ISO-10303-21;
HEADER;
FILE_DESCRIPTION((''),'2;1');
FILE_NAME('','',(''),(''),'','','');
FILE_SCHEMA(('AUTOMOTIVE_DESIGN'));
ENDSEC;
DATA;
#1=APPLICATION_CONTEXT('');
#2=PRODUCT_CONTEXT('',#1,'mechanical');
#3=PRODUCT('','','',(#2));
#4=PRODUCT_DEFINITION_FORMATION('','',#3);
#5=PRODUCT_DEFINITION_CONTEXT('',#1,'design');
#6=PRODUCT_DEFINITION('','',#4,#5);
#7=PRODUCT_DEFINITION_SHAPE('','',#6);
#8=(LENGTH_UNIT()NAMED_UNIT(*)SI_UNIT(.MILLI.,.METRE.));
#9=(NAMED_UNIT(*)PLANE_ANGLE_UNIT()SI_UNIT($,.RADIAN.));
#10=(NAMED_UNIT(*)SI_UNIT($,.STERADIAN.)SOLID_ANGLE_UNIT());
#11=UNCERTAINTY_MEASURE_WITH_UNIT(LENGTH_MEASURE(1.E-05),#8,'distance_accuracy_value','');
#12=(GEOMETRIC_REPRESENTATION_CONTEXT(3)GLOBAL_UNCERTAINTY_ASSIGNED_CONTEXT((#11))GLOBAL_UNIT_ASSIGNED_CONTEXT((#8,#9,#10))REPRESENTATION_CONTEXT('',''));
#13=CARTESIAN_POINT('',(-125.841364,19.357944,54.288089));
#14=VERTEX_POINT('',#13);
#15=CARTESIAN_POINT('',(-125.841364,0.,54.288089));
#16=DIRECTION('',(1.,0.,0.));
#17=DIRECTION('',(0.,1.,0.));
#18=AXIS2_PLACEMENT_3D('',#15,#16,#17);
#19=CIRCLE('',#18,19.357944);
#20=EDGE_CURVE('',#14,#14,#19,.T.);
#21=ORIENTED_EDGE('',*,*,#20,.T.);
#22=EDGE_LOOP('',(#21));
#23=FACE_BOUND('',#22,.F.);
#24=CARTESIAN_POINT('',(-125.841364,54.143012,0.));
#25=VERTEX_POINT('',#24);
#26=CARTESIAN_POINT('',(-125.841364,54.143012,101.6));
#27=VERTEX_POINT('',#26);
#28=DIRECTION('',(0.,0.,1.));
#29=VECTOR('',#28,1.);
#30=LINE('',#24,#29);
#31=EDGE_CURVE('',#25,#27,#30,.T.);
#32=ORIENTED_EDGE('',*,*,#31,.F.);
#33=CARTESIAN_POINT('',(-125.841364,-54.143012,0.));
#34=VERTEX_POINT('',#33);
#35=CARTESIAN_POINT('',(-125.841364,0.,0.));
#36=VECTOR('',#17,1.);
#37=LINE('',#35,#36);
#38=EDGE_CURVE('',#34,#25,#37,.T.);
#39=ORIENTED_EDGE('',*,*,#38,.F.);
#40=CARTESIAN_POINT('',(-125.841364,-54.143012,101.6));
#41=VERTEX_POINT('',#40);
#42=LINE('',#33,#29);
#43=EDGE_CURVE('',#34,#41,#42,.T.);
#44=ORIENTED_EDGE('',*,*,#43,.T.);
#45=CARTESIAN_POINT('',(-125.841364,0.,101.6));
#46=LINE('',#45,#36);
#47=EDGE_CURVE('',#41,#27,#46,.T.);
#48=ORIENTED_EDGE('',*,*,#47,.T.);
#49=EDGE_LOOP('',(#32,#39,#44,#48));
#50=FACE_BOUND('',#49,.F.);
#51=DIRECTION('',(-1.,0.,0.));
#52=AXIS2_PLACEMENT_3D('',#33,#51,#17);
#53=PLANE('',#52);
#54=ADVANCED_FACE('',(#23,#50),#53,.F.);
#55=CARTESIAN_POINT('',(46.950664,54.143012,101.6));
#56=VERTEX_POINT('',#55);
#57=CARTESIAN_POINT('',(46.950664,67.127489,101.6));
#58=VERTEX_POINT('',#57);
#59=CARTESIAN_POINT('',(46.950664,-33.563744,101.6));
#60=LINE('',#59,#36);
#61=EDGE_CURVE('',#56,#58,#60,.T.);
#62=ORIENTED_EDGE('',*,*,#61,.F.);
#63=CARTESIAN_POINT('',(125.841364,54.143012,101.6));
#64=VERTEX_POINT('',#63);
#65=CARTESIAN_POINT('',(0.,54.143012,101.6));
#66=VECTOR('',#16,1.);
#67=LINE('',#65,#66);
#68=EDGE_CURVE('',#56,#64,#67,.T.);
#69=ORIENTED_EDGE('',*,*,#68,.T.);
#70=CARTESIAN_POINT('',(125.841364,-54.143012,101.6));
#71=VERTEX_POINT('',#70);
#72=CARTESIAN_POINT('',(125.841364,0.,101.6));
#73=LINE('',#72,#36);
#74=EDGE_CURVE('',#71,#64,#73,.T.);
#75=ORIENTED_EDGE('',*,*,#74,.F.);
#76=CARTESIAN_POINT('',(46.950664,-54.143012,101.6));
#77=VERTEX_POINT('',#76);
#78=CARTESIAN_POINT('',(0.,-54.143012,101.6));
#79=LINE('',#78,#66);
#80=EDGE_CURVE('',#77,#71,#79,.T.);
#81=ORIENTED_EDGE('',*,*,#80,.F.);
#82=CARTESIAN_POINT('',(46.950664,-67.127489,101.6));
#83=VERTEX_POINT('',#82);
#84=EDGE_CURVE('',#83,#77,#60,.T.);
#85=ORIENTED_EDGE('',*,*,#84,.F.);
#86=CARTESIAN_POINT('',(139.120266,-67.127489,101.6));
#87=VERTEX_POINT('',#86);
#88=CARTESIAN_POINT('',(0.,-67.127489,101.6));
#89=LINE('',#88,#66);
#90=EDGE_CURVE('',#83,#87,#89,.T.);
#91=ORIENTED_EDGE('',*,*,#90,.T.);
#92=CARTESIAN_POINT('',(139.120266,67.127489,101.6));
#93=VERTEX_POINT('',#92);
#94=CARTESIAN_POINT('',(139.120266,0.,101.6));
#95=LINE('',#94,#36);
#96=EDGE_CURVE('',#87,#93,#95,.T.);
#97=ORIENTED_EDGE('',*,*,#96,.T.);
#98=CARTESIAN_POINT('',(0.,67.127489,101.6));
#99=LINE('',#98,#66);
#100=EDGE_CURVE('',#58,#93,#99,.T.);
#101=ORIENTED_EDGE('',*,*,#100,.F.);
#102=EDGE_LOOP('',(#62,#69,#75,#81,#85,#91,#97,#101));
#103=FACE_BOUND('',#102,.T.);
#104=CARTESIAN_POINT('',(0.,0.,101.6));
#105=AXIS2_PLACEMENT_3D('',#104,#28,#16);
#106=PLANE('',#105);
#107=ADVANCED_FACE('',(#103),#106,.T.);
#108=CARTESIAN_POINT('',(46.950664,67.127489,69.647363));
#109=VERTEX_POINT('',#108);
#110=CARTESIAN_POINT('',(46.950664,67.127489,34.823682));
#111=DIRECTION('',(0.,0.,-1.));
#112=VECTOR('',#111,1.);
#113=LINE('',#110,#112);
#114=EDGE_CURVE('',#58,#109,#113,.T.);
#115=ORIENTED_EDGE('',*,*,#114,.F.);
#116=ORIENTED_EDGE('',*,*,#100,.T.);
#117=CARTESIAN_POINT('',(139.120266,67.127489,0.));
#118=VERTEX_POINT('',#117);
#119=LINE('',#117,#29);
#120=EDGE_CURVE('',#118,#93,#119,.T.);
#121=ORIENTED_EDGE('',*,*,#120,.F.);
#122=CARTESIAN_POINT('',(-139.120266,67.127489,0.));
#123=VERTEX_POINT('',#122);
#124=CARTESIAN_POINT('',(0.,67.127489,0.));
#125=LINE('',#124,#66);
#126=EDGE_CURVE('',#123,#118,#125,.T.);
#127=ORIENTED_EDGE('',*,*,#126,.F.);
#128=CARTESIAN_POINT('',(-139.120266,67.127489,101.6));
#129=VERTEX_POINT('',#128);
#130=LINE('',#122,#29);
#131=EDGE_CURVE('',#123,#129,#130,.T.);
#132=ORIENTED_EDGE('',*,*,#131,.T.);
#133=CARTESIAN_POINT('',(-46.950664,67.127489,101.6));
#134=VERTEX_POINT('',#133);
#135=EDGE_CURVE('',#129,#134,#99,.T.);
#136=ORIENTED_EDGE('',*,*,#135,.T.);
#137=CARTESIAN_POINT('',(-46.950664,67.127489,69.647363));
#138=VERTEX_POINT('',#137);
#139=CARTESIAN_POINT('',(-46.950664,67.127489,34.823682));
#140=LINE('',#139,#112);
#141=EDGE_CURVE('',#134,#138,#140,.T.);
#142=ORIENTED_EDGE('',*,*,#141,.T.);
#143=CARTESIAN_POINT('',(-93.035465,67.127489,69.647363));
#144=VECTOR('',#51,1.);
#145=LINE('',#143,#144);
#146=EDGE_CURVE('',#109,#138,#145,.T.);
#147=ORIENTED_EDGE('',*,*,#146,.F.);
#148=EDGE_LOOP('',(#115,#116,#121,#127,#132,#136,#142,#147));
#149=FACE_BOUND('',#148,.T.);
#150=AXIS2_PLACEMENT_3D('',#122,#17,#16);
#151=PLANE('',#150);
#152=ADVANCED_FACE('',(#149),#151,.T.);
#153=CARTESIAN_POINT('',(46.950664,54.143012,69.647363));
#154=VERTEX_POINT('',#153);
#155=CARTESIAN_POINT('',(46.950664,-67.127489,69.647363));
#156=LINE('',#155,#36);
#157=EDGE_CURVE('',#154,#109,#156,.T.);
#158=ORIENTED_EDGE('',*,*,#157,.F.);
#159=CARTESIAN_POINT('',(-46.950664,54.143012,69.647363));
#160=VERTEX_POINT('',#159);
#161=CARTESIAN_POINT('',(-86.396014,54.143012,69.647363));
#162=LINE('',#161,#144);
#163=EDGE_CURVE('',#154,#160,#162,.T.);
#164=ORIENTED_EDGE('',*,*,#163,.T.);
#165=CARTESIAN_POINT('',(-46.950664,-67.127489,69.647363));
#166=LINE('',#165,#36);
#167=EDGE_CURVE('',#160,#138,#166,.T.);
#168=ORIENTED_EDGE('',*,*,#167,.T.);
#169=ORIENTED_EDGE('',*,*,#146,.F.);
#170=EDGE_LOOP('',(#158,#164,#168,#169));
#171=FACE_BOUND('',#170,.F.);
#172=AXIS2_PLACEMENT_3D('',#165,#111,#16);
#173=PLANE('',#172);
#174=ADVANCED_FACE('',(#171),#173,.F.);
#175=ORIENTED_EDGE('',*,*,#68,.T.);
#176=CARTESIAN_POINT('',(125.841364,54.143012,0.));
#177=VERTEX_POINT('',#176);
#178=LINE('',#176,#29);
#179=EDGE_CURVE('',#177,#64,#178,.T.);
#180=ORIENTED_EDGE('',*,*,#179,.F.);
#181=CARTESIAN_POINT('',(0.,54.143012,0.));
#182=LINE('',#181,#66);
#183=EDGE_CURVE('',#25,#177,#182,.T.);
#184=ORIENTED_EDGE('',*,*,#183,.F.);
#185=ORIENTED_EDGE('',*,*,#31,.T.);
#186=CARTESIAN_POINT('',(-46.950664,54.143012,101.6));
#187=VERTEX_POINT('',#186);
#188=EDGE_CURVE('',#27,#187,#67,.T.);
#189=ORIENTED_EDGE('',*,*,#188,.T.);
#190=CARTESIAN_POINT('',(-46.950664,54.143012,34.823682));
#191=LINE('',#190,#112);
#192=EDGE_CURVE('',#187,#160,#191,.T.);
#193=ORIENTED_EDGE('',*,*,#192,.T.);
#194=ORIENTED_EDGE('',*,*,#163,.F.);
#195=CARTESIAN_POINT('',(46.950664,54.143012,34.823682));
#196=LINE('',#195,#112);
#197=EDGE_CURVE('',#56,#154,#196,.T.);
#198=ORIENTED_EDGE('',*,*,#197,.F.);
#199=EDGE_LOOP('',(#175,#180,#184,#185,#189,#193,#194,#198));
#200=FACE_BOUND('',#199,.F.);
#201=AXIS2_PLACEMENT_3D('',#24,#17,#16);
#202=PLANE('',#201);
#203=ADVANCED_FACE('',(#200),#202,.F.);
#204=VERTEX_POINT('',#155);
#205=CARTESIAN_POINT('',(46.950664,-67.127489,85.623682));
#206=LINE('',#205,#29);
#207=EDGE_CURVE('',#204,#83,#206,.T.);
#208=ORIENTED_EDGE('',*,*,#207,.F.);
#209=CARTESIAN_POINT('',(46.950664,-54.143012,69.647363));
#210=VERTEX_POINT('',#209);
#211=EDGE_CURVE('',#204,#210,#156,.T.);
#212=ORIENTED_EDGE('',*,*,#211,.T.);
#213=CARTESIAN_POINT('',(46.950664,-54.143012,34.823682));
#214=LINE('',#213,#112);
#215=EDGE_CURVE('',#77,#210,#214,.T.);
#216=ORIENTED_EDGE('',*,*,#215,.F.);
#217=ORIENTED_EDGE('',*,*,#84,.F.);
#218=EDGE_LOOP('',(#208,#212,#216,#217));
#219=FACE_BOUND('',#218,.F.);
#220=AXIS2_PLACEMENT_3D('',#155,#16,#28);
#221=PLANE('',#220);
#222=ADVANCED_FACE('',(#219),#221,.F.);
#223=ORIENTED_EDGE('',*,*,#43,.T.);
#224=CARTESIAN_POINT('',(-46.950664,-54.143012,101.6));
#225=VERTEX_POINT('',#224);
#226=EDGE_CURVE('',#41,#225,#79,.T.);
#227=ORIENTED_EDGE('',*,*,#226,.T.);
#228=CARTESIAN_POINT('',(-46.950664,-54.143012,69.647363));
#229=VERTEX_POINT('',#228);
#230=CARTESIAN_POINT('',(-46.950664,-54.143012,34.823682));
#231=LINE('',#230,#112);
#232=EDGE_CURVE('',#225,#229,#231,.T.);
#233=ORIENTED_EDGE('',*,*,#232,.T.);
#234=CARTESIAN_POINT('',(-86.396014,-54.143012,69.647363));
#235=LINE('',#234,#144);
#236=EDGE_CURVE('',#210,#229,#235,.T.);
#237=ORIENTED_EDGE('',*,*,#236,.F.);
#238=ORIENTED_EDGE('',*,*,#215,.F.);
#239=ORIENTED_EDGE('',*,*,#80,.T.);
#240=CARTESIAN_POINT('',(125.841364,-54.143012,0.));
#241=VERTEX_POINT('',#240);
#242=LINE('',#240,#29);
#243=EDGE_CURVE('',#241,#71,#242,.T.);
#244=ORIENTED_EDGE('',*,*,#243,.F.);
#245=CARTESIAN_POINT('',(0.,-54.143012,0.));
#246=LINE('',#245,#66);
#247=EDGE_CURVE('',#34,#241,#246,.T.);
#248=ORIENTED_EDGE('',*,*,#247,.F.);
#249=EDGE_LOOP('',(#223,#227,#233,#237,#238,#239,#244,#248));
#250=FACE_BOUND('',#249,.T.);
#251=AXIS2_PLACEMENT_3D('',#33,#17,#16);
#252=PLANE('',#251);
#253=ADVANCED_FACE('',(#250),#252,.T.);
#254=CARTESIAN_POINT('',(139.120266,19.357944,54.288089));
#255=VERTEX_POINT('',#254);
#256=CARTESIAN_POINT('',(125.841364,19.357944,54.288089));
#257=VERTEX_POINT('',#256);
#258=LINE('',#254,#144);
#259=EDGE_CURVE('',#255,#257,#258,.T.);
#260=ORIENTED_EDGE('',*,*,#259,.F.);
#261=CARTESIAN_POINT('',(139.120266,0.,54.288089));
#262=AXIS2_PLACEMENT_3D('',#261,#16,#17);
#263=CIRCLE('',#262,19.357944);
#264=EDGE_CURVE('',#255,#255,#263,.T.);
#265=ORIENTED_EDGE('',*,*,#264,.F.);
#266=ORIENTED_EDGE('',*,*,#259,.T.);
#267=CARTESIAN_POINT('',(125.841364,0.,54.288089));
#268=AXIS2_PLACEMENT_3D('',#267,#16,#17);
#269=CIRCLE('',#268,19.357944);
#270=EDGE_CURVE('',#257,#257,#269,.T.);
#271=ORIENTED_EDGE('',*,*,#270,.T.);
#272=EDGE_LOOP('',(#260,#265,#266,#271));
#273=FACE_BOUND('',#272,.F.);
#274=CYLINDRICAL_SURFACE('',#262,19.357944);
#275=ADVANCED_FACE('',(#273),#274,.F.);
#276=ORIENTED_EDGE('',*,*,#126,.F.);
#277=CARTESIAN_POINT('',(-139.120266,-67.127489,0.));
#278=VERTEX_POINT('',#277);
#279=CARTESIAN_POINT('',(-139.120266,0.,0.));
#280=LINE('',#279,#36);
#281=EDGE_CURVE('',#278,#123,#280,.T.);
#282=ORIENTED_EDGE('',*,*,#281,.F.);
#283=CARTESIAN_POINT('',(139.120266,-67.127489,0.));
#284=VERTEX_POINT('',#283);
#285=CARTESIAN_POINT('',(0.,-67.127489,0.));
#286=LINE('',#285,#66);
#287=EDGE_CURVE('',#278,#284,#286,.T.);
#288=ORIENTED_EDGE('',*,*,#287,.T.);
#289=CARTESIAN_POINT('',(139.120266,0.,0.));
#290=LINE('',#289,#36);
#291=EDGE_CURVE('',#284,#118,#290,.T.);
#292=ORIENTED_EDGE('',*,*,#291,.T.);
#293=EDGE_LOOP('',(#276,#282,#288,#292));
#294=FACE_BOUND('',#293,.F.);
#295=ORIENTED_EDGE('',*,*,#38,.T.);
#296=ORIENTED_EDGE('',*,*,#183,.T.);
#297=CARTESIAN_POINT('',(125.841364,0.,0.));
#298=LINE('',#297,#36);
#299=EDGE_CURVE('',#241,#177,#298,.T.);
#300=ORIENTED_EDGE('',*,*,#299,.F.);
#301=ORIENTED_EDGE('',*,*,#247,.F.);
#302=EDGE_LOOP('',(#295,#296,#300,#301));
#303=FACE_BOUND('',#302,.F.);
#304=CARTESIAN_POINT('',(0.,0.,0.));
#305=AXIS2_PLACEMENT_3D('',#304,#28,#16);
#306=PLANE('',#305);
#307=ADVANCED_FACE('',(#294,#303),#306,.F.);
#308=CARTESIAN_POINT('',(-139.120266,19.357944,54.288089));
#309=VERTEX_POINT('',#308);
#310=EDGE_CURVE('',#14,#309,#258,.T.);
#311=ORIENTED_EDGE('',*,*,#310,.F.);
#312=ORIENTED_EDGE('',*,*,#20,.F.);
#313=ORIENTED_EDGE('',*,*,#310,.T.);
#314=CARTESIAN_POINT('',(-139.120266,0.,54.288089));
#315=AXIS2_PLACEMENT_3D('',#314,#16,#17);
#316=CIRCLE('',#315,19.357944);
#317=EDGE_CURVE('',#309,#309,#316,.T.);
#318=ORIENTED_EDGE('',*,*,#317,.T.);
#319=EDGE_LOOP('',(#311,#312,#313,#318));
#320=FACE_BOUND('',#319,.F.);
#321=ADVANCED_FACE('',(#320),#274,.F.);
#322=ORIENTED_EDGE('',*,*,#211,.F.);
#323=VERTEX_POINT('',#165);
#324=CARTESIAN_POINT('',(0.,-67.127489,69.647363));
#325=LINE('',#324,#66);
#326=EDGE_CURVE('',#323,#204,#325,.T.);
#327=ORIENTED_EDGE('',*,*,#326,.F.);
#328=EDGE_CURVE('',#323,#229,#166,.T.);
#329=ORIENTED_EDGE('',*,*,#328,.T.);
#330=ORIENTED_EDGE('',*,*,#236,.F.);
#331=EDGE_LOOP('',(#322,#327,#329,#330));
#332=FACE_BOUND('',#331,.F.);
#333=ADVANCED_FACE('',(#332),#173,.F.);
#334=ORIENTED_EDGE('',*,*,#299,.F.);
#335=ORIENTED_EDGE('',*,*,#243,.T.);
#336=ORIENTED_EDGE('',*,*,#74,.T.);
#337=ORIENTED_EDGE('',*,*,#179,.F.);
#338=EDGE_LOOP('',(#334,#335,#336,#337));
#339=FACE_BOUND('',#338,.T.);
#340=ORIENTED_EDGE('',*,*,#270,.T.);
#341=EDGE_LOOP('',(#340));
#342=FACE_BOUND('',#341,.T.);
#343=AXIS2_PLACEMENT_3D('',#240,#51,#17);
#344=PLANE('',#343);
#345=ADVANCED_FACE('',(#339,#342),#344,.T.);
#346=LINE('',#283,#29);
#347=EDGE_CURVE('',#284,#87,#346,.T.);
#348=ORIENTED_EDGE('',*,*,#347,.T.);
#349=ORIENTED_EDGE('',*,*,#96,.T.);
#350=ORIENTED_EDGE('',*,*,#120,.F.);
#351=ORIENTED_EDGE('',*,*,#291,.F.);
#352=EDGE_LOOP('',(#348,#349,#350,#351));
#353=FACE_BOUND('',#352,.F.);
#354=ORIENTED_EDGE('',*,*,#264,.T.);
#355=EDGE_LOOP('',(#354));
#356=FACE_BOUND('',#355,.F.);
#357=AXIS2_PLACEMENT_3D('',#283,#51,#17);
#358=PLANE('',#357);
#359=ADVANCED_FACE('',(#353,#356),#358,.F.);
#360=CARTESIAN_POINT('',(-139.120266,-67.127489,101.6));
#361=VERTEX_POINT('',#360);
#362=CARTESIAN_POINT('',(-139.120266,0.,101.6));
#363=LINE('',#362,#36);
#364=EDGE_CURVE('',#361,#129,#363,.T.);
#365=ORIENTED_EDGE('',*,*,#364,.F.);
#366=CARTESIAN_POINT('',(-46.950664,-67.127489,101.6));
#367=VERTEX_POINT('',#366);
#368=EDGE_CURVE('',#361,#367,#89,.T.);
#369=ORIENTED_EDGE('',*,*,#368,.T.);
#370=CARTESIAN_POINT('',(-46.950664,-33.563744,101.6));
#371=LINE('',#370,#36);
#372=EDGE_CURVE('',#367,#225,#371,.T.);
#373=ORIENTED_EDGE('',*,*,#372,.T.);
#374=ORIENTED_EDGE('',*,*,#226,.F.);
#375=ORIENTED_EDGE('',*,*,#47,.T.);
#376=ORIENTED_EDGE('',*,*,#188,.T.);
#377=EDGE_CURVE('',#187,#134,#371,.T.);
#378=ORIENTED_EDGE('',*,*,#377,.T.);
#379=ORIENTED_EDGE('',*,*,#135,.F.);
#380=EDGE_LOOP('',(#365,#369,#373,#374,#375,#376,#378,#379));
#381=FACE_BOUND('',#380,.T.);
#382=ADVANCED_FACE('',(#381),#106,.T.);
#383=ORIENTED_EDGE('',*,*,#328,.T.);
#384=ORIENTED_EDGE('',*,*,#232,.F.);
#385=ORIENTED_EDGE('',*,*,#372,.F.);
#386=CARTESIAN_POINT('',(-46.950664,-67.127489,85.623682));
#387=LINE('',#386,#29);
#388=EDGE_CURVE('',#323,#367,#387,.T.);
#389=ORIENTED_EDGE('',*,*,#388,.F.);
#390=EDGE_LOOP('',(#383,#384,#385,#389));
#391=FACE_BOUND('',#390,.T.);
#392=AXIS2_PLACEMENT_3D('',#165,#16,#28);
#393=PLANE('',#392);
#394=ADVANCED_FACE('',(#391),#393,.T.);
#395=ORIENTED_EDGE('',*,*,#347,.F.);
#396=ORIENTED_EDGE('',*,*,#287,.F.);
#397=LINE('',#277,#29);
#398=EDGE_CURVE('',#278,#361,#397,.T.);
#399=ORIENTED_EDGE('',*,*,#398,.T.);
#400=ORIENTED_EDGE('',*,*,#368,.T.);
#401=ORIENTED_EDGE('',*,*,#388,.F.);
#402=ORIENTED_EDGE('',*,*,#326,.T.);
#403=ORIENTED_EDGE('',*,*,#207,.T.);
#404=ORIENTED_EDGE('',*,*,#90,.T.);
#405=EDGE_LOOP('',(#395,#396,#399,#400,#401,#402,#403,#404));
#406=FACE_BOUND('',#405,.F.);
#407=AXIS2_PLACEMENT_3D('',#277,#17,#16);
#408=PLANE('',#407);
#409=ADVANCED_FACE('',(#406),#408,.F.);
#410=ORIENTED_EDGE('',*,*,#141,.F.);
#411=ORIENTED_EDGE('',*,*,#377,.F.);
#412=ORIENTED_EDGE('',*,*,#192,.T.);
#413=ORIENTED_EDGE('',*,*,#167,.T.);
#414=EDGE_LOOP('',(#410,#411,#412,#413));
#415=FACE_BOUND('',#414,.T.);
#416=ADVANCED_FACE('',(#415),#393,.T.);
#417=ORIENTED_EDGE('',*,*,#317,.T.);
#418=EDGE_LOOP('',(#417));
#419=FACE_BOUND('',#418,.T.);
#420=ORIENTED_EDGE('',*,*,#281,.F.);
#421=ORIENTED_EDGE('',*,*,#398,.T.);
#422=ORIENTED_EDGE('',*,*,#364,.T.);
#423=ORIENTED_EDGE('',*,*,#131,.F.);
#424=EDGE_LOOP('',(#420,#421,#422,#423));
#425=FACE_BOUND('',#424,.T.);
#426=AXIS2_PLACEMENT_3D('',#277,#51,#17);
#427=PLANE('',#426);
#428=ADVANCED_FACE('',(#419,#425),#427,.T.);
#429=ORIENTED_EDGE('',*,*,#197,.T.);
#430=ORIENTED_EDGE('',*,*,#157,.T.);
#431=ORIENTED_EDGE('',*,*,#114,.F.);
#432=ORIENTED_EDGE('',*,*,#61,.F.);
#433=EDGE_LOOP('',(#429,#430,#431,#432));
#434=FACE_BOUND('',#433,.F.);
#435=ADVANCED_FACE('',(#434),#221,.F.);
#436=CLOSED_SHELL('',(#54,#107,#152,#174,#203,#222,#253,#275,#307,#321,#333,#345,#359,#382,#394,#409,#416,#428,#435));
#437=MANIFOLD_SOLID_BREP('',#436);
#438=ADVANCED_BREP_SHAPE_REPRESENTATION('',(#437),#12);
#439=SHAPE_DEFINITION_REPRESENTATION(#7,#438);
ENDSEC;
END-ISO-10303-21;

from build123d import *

# Parameters (mm, degrees)
F0_W     = 278.240532
F0_H     = 134.254978
F0_W_2   = 251.682728
F0_H_2   = 108.286024
F1_DEPTH = 101.6
F2_R     = 19.357944
F3_DEPTH = 278.241532
F4_W     = 93.901328
F4_H     = 31.952637
F5_DEPTH = 134.255977


with BuildPart() as f1:
    # F0 (on Top) → F1 (new body)
    with BuildSketch(Plane.XY):
        Rectangle(F0_W, F0_H)
        Rectangle(F0_W_2, F0_H_2, mode=Mode.SUBTRACT)
    extrude(amount=F1_DEPTH)

    # F2 (on face) → F3 (cut, through all)
    with BuildSketch(Plane.YZ.offset(139.120266)):
        with Locations((0, 54.288089)):
            Circle(F2_R)
    extrude(amount=-F3_DEPTH, mode=Mode.SUBTRACT)

    # F4 (on face) → F5 (cut, through all)
    with BuildSketch(Plane.XZ.offset(67.127489)):
        with Locations((0, 85.623682)):
            Rectangle(F4_W, F4_H)
    extrude(amount=-F5_DEPTH, mode=Mode.SUBTRACT)


solid = f1.part
